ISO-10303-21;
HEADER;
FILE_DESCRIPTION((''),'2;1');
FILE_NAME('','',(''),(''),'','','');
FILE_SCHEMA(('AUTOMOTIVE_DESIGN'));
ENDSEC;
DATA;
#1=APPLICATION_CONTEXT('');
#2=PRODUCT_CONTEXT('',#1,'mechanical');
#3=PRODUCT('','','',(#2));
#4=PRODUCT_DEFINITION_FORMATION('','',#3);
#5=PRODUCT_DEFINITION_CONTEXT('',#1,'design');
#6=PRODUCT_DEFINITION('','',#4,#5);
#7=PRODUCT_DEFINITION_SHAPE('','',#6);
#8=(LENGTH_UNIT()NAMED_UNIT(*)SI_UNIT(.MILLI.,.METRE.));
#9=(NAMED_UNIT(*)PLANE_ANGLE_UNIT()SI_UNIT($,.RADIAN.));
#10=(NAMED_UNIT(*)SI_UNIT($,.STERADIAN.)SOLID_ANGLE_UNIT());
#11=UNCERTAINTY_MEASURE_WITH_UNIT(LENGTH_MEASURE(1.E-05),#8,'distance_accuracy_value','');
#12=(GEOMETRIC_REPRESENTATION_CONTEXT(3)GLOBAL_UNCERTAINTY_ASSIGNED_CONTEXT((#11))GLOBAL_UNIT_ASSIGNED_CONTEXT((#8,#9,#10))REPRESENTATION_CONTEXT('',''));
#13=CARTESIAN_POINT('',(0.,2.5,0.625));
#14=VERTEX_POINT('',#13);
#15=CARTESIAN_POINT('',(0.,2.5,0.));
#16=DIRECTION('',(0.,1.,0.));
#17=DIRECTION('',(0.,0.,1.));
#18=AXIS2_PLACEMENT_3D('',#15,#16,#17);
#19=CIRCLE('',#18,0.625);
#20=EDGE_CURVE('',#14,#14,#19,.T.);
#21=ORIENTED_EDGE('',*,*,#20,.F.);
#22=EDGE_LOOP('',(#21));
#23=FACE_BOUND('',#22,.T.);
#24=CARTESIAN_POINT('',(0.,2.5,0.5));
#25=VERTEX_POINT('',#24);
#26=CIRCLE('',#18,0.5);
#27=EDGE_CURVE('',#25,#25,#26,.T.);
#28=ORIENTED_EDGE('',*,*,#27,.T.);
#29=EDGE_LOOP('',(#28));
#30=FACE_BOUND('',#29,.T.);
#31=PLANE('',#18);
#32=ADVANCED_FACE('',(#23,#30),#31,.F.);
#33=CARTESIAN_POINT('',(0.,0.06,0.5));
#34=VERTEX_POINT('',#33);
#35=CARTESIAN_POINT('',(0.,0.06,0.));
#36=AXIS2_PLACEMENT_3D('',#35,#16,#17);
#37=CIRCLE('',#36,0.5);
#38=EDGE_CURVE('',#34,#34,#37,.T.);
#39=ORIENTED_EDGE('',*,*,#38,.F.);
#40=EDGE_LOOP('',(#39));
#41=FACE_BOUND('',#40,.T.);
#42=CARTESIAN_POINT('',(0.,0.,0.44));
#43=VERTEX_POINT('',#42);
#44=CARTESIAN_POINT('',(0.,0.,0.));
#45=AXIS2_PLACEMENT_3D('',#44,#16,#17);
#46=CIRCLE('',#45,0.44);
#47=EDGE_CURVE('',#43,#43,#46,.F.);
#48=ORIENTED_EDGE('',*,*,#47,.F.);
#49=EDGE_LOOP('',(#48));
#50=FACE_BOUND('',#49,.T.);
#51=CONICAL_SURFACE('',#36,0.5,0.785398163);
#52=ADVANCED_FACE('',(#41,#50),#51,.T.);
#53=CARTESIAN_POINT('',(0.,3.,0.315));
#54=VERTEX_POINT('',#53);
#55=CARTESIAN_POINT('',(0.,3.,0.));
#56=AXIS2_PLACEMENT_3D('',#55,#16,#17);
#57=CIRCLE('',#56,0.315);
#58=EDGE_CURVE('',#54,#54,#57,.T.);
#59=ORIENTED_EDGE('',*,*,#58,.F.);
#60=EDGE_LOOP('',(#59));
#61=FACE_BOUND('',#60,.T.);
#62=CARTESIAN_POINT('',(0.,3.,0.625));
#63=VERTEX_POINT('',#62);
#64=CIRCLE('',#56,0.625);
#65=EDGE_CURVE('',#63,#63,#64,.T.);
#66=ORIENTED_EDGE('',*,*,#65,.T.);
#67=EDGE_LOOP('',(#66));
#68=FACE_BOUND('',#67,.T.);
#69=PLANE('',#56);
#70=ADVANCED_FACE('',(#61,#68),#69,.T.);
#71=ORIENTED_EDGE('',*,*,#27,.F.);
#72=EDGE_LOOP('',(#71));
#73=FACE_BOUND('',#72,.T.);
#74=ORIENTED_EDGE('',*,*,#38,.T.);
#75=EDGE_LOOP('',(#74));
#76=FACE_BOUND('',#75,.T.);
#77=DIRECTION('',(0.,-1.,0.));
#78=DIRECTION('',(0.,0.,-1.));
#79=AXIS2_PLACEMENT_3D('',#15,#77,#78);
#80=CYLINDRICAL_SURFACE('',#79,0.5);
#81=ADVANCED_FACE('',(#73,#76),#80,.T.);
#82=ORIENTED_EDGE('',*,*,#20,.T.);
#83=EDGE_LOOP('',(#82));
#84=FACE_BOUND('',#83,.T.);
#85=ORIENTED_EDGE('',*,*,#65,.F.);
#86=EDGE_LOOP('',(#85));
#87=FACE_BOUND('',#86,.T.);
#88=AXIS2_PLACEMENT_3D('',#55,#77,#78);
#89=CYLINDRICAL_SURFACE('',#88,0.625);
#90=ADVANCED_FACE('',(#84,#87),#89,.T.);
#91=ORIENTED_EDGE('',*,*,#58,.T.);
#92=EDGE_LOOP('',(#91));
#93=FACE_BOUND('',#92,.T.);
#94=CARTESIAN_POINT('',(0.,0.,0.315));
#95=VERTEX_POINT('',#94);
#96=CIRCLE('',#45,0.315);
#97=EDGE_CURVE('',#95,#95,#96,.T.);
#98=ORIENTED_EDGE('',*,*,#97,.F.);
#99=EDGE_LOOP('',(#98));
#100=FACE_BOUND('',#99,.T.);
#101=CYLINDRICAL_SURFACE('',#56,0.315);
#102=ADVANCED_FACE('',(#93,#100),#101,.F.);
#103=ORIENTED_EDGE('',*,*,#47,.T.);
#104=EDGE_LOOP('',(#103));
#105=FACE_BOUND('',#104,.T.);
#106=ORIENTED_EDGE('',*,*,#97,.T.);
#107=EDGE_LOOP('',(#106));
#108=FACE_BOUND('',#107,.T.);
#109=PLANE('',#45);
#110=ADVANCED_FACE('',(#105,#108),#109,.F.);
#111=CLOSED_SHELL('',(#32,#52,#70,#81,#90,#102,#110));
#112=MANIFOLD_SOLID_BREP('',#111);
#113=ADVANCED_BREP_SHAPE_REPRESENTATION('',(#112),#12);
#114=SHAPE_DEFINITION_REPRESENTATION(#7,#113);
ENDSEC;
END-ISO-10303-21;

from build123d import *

# Parameters (mm, degrees)
SKETCH1_R              = 0.5
BOSS_EXTRUDE1_DEPTH    = 2.5
SKETCH2_R              = 0.625
BOSS_EXTRUDE2_DEPTH    = 0.5
F_12_0MM_DOWEL_HOLE1_D = 0.63
CHAMFER1_SIZE          = 0.06


with BuildPart() as part:
    # Sketch1 → Boss-Extrude1 (new body)
    with BuildSketch(Plane(origin=(0, 0, 0), x_dir=(1, 0, 0), z_dir=(0, 1, 0))):
        with Locations(Location((0, 0, 0), (0, 0, 270))):
            Circle(SKETCH1_R)
    extrude(amount=BOSS_EXTRUDE1_DEPTH)

    # Sketch2 → Boss-Extrude2 (add)
    with BuildSketch(Plane(origin=(0, 2.5, 0), x_dir=(1, 0, 0), z_dir=(0, 1, 0))):
        with Locations(Location((0, 0, 0), (0, 0, 270))):
            Circle(SKETCH2_R)
    extrude(amount=BOSS_EXTRUDE2_DEPTH)

    # Ø12.0mm Dowel Hole1 (through all)
    with Locations(Plane(origin=(0, 3, 0), x_dir=(1, 0, 0), z_dir=(0, 1, 0))):
        with Locations((0, 0)):
            Hole(F_12_0MM_DOWEL_HOLE1_D / 2)

    # Chamfer1
    chamfer1_edges = [part.edges().sort_by_distance(p)[0] for p in [
        (0, 0, -0.5),
    ]]
    chamfer(chamfer1_edges, length=CHAMFER1_SIZE)


solid = part.part
